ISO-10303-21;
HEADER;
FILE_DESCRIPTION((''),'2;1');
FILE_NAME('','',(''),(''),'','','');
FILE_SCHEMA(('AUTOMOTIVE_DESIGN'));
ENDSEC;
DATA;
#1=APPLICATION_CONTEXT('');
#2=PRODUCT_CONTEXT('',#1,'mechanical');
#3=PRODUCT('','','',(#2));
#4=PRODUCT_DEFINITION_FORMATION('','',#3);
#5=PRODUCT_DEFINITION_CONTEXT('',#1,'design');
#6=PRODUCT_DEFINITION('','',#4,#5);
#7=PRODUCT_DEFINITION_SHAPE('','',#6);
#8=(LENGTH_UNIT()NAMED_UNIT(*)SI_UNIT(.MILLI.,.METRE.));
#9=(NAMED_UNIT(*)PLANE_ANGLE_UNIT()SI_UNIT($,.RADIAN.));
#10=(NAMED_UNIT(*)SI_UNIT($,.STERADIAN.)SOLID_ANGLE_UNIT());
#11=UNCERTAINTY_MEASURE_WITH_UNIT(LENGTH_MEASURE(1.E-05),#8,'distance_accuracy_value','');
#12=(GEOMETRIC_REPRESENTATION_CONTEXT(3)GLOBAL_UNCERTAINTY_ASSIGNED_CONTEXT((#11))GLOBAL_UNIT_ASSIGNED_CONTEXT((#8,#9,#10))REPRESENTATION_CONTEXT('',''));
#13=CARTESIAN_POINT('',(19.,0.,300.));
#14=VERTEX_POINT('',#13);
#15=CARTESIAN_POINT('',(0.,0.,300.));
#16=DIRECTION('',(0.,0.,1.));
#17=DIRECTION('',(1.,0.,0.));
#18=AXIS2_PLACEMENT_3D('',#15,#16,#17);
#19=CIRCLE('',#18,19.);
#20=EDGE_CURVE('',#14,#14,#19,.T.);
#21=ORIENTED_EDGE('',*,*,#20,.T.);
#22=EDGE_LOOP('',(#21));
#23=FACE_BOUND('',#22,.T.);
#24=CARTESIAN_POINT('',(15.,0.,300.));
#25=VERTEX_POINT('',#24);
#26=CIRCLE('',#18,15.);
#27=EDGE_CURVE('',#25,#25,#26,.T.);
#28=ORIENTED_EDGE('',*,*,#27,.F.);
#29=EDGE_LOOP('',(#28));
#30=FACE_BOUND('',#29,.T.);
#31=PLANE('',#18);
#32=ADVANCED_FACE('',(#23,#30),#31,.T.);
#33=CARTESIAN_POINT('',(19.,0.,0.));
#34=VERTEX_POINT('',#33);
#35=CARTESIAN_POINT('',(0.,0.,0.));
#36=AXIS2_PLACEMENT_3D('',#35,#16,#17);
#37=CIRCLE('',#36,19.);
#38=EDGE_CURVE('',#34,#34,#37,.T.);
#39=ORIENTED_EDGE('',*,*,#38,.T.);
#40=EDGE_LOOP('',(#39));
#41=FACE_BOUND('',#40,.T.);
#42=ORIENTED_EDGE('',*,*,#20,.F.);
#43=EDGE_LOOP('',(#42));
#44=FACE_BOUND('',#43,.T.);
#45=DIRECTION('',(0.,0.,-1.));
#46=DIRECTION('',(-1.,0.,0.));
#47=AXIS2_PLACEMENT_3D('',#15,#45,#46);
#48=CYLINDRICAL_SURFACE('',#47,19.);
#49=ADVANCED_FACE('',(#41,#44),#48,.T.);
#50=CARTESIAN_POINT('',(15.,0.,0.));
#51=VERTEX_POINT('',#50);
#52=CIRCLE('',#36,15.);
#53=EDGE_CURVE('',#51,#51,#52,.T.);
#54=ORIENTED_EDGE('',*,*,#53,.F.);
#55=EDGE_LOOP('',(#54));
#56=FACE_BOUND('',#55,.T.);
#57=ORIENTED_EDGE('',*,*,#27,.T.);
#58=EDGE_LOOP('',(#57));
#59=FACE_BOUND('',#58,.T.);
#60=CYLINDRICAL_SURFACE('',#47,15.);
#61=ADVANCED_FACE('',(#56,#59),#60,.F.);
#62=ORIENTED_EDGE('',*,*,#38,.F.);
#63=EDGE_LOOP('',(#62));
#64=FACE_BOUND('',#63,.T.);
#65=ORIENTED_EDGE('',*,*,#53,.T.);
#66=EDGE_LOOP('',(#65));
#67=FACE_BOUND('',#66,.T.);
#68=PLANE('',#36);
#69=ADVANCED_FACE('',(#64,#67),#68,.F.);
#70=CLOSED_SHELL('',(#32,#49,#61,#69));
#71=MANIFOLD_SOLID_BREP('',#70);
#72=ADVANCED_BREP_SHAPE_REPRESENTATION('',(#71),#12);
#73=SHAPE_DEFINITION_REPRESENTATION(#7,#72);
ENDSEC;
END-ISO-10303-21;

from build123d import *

# Parameters (mm, degrees)
SKETCH_1_R      = 19
SKETCH_1_R_2    = 15
EXTRUDE_1_DEPTH = 300


with BuildPart() as part:
    # ｽｹｯﾁ1 → ﾎﾞｽ - 押し出し1 (new body)
    with BuildSketch(Plane.XY):
        Circle(SKETCH_1_R)
        Circle(SKETCH_1_R_2, mode=Mode.SUBTRACT)
    extrude(amount=EXTRUDE_1_DEPTH)


solid = part.part
